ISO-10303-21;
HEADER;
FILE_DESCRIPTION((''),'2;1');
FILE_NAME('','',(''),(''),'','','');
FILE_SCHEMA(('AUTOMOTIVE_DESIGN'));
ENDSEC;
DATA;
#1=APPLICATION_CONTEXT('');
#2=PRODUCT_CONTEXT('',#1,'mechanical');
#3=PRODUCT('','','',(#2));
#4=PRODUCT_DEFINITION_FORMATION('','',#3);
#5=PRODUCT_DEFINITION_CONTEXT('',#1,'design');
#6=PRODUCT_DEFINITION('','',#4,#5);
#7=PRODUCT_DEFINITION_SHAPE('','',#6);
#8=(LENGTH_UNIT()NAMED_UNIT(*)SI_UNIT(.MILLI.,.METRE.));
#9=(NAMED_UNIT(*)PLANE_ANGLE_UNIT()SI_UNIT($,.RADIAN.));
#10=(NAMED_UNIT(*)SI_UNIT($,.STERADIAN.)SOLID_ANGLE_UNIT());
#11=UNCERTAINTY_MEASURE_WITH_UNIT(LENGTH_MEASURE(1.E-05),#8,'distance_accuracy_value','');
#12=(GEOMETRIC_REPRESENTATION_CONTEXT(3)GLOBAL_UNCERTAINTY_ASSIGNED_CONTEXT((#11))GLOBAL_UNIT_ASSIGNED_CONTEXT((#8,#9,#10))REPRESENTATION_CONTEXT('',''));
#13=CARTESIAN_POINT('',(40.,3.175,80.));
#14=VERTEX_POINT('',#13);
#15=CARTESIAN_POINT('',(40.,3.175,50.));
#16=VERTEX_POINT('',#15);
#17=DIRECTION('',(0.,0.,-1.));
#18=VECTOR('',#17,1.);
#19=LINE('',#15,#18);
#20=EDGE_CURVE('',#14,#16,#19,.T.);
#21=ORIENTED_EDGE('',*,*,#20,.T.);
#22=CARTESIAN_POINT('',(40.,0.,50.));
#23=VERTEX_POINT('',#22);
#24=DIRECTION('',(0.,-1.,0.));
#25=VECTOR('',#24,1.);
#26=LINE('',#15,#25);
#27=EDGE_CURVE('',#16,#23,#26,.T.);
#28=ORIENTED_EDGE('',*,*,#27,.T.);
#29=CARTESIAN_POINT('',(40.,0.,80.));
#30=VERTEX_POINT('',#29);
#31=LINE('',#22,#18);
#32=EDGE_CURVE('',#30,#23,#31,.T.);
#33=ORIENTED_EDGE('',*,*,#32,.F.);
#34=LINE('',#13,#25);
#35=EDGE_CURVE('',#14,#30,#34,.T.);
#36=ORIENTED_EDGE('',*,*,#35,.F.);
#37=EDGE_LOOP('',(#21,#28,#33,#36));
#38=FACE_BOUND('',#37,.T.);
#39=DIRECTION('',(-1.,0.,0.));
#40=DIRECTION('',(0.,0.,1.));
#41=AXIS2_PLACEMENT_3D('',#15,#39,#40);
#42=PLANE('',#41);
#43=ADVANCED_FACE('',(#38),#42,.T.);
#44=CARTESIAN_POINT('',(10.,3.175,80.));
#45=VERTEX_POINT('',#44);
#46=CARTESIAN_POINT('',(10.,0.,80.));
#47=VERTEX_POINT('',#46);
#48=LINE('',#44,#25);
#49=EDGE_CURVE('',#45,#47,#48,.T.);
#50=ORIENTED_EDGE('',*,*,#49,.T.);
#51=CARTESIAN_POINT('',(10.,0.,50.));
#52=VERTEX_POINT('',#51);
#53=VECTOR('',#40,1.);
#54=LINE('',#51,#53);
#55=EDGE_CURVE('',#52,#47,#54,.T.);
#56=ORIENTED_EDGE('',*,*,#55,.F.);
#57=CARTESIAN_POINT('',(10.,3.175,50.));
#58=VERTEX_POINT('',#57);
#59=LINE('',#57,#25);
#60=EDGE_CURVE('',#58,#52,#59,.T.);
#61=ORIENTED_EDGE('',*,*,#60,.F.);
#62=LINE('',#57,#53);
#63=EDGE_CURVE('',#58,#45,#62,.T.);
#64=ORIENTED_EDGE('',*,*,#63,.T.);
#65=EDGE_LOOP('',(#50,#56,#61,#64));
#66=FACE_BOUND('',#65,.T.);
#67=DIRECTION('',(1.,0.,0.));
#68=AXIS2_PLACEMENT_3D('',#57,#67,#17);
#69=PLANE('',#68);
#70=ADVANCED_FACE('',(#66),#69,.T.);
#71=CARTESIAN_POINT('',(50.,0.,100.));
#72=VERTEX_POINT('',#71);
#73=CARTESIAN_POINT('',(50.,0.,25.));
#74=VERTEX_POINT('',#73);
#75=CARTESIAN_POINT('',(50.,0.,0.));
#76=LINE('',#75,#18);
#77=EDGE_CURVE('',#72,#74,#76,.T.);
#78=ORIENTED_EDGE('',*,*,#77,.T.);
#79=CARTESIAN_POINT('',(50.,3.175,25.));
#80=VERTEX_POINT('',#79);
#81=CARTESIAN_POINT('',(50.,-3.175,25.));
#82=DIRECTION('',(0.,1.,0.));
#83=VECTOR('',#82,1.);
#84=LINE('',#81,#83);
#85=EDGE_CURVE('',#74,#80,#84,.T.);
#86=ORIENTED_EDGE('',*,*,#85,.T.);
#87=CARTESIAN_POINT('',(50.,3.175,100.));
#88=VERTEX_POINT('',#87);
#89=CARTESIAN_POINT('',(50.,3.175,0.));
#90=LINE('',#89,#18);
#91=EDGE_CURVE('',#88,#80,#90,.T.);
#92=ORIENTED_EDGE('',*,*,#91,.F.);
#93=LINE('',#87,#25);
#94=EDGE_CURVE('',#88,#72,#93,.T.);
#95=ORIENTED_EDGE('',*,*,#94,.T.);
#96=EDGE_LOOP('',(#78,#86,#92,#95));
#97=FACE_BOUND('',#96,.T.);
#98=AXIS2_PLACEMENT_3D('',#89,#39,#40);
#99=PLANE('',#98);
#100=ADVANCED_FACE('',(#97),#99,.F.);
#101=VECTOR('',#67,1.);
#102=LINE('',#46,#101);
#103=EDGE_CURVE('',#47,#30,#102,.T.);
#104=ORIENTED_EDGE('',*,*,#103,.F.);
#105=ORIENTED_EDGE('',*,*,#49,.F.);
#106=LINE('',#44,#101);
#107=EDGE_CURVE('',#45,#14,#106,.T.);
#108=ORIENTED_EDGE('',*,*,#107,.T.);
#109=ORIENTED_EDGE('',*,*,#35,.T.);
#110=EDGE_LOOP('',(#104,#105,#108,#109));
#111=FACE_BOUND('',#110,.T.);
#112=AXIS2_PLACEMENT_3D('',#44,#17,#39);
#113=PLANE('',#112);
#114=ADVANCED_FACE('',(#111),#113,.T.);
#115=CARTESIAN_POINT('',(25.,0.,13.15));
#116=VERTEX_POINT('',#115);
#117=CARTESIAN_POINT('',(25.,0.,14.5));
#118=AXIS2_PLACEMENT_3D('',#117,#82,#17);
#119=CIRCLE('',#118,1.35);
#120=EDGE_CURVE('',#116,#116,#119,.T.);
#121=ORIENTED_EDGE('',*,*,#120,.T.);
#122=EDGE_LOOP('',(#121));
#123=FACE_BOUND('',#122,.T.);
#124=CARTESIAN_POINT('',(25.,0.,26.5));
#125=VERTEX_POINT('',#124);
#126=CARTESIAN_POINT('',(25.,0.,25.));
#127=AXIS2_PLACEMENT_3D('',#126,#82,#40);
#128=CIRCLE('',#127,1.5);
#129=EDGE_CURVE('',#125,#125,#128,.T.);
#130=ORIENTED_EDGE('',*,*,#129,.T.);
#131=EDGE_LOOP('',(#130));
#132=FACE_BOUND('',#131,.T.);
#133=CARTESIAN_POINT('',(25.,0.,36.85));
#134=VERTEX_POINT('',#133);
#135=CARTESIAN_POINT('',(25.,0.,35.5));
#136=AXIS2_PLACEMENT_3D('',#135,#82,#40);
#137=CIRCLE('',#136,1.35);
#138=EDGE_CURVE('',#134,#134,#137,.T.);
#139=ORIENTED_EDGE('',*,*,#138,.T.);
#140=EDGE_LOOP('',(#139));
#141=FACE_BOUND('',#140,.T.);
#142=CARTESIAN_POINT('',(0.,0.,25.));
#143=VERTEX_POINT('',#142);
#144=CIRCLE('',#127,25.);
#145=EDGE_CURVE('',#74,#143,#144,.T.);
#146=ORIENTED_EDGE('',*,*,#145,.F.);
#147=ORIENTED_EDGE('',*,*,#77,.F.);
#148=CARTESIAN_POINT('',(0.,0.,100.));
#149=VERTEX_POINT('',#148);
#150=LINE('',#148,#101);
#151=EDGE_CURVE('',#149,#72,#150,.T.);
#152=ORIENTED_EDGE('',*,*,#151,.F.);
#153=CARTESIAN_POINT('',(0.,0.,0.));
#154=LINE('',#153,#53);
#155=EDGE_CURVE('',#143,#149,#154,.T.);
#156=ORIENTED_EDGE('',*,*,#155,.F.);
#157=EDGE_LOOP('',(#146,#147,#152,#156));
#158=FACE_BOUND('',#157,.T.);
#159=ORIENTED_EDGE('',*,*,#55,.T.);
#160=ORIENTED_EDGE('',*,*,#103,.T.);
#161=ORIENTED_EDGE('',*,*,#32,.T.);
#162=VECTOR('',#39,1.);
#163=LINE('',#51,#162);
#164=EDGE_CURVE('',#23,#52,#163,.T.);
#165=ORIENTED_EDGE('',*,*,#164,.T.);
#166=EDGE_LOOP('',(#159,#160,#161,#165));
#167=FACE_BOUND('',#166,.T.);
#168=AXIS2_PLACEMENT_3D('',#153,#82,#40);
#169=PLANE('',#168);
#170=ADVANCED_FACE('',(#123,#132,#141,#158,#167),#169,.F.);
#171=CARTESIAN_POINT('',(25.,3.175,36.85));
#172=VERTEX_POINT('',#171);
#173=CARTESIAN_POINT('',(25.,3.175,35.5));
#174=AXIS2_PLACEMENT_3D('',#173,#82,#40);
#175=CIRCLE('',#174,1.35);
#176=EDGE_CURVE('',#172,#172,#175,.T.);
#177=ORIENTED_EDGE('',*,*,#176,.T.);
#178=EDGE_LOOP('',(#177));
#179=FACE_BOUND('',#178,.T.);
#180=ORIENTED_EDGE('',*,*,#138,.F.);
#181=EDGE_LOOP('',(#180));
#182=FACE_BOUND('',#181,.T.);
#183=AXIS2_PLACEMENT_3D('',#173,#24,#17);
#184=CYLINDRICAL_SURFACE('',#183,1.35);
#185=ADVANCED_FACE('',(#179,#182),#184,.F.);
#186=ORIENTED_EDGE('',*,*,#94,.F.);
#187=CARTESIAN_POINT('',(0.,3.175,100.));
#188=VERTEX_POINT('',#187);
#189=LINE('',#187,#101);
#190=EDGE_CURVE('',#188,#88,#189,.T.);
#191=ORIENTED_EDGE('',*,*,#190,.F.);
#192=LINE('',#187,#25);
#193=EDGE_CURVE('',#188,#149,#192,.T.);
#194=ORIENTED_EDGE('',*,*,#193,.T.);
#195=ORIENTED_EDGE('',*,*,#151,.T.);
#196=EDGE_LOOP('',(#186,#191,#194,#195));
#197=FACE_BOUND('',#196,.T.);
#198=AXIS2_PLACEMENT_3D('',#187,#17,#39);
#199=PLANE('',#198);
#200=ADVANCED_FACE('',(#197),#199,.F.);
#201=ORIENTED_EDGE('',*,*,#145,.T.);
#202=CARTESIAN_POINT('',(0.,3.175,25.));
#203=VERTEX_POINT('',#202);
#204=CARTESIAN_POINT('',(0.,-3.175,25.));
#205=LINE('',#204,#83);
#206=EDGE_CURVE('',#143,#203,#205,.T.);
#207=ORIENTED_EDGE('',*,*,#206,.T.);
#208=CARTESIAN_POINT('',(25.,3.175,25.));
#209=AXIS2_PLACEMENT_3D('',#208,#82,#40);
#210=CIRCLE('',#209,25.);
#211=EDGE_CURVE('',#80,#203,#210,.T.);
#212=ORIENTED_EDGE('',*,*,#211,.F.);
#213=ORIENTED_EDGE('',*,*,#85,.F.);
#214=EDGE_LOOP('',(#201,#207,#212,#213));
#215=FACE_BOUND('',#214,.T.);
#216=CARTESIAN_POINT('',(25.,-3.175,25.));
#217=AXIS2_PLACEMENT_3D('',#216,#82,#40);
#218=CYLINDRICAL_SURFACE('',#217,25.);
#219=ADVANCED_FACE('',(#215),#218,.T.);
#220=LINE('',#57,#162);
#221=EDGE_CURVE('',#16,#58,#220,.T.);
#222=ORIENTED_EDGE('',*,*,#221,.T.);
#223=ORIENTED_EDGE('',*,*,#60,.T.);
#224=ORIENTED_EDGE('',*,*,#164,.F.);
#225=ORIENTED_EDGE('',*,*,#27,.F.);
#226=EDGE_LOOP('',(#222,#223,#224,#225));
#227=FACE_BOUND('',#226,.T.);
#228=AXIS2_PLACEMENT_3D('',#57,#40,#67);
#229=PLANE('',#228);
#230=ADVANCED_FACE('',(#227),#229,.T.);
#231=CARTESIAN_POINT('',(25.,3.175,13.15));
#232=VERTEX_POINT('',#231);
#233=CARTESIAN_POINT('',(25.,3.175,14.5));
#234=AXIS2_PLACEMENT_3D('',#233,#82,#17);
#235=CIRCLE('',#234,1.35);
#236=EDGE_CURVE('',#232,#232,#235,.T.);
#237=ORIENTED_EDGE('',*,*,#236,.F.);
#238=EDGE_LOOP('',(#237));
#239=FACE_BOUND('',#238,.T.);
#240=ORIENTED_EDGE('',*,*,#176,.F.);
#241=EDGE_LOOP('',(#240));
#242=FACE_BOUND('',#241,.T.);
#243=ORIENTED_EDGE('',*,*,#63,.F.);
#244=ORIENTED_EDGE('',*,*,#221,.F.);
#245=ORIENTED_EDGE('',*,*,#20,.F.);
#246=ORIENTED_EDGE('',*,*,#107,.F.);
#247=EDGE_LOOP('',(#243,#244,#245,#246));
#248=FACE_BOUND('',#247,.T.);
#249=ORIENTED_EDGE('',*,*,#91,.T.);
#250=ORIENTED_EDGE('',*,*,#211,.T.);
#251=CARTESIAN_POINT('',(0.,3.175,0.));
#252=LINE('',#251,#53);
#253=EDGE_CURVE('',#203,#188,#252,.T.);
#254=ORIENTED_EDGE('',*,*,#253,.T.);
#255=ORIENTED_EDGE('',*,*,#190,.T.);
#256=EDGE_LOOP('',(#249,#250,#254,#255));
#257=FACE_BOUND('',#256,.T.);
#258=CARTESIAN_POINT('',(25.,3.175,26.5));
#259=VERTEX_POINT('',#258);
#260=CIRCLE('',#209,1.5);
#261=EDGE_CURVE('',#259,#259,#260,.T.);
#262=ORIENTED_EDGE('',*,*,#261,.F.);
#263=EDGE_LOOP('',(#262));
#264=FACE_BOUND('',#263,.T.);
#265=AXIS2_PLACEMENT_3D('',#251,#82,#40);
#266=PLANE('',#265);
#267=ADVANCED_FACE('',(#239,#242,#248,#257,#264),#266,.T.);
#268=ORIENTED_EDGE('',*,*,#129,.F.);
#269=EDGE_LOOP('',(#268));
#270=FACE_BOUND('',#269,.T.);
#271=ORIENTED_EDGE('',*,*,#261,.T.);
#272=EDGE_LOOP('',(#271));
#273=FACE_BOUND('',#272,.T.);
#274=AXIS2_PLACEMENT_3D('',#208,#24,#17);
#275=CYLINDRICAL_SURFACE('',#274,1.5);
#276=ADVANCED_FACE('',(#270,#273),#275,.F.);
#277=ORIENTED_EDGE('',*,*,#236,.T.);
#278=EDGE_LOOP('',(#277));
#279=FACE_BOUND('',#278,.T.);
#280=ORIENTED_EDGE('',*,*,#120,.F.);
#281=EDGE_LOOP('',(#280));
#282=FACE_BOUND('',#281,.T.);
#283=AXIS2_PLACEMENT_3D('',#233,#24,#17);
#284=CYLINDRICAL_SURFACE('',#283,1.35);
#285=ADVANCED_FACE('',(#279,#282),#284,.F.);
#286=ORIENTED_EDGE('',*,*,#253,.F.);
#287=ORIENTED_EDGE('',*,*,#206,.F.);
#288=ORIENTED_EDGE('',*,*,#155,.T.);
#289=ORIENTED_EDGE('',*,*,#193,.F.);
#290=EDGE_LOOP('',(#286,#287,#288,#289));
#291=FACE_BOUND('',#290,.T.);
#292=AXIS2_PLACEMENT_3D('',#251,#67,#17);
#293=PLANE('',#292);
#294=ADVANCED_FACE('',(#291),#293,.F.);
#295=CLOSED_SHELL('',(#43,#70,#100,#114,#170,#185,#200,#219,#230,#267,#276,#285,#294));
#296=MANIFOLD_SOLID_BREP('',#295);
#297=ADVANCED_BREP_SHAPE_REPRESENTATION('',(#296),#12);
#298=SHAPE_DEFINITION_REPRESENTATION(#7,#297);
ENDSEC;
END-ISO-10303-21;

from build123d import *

# Parameters (mm, degrees)
SKETCH1_W           = 50
SKETCH1_H           = 100
SKETCH1_R           = 1.5
SKETCH1_R_2         = 1.35
SKETCH1_W_2         = 30
SKETCH1_H_2         = 30
BOSS_EXTRUDE1_DEPTH = 3.175
CUT_EXTRUDE1_DEPTH  = 6.35


with BuildPart() as part:
    # Sketch1 → Boss-Extrude1 (new body)
    with BuildSketch(Plane(origin=(0, 0, 0), x_dir=(1, 0, 0), z_dir=(0, 1, 0))):
        with Locations((25, -50)):
            Rectangle(SKETCH1_W, SKETCH1_H)
        with Locations(Location((25, -25, 0), (0, 0, 270))):
            Circle(SKETCH1_R, mode=Mode.SUBTRACT)
        with Locations(Location((25, -14.5, 0), (0, 0, 90))):
            Circle(SKETCH1_R_2, mode=Mode.SUBTRACT)
        with Locations(Location((25, -35.5, 0), (0, 0, 270))):
            Circle(SKETCH1_R_2, mode=Mode.SUBTRACT)
        with Locations((25, -65)):
            Rectangle(SKETCH1_W_2, SKETCH1_H_2, mode=Mode.SUBTRACT)
    extrude(amount=BOSS_EXTRUDE1_DEPTH)

    # Sketch2 → Cut-Extrude1 (cut)
    with BuildSketch(Plane(origin=(0, 3.175, 0), x_dir=(1, 0, 0), z_dir=(0, 1, 0))):
        with BuildLine():
            Line((0, 0), (0, -25))
            ThreePointArc((0, -25), (7.32233047, -7.32233047), (25, 0))
            Line((25, 0), (0, 0))
        make_face()
        with BuildLine():
            ThreePointArc((25, 0), (42.67766953, -7.32233047), (50, -25))
            Line((50, -25), (50, 0))
            Line((50, 0), (25, 0))
        make_face()
    extrude(amount=-CUT_EXTRUDE1_DEPTH, mode=Mode.SUBTRACT)


solid = part.part
